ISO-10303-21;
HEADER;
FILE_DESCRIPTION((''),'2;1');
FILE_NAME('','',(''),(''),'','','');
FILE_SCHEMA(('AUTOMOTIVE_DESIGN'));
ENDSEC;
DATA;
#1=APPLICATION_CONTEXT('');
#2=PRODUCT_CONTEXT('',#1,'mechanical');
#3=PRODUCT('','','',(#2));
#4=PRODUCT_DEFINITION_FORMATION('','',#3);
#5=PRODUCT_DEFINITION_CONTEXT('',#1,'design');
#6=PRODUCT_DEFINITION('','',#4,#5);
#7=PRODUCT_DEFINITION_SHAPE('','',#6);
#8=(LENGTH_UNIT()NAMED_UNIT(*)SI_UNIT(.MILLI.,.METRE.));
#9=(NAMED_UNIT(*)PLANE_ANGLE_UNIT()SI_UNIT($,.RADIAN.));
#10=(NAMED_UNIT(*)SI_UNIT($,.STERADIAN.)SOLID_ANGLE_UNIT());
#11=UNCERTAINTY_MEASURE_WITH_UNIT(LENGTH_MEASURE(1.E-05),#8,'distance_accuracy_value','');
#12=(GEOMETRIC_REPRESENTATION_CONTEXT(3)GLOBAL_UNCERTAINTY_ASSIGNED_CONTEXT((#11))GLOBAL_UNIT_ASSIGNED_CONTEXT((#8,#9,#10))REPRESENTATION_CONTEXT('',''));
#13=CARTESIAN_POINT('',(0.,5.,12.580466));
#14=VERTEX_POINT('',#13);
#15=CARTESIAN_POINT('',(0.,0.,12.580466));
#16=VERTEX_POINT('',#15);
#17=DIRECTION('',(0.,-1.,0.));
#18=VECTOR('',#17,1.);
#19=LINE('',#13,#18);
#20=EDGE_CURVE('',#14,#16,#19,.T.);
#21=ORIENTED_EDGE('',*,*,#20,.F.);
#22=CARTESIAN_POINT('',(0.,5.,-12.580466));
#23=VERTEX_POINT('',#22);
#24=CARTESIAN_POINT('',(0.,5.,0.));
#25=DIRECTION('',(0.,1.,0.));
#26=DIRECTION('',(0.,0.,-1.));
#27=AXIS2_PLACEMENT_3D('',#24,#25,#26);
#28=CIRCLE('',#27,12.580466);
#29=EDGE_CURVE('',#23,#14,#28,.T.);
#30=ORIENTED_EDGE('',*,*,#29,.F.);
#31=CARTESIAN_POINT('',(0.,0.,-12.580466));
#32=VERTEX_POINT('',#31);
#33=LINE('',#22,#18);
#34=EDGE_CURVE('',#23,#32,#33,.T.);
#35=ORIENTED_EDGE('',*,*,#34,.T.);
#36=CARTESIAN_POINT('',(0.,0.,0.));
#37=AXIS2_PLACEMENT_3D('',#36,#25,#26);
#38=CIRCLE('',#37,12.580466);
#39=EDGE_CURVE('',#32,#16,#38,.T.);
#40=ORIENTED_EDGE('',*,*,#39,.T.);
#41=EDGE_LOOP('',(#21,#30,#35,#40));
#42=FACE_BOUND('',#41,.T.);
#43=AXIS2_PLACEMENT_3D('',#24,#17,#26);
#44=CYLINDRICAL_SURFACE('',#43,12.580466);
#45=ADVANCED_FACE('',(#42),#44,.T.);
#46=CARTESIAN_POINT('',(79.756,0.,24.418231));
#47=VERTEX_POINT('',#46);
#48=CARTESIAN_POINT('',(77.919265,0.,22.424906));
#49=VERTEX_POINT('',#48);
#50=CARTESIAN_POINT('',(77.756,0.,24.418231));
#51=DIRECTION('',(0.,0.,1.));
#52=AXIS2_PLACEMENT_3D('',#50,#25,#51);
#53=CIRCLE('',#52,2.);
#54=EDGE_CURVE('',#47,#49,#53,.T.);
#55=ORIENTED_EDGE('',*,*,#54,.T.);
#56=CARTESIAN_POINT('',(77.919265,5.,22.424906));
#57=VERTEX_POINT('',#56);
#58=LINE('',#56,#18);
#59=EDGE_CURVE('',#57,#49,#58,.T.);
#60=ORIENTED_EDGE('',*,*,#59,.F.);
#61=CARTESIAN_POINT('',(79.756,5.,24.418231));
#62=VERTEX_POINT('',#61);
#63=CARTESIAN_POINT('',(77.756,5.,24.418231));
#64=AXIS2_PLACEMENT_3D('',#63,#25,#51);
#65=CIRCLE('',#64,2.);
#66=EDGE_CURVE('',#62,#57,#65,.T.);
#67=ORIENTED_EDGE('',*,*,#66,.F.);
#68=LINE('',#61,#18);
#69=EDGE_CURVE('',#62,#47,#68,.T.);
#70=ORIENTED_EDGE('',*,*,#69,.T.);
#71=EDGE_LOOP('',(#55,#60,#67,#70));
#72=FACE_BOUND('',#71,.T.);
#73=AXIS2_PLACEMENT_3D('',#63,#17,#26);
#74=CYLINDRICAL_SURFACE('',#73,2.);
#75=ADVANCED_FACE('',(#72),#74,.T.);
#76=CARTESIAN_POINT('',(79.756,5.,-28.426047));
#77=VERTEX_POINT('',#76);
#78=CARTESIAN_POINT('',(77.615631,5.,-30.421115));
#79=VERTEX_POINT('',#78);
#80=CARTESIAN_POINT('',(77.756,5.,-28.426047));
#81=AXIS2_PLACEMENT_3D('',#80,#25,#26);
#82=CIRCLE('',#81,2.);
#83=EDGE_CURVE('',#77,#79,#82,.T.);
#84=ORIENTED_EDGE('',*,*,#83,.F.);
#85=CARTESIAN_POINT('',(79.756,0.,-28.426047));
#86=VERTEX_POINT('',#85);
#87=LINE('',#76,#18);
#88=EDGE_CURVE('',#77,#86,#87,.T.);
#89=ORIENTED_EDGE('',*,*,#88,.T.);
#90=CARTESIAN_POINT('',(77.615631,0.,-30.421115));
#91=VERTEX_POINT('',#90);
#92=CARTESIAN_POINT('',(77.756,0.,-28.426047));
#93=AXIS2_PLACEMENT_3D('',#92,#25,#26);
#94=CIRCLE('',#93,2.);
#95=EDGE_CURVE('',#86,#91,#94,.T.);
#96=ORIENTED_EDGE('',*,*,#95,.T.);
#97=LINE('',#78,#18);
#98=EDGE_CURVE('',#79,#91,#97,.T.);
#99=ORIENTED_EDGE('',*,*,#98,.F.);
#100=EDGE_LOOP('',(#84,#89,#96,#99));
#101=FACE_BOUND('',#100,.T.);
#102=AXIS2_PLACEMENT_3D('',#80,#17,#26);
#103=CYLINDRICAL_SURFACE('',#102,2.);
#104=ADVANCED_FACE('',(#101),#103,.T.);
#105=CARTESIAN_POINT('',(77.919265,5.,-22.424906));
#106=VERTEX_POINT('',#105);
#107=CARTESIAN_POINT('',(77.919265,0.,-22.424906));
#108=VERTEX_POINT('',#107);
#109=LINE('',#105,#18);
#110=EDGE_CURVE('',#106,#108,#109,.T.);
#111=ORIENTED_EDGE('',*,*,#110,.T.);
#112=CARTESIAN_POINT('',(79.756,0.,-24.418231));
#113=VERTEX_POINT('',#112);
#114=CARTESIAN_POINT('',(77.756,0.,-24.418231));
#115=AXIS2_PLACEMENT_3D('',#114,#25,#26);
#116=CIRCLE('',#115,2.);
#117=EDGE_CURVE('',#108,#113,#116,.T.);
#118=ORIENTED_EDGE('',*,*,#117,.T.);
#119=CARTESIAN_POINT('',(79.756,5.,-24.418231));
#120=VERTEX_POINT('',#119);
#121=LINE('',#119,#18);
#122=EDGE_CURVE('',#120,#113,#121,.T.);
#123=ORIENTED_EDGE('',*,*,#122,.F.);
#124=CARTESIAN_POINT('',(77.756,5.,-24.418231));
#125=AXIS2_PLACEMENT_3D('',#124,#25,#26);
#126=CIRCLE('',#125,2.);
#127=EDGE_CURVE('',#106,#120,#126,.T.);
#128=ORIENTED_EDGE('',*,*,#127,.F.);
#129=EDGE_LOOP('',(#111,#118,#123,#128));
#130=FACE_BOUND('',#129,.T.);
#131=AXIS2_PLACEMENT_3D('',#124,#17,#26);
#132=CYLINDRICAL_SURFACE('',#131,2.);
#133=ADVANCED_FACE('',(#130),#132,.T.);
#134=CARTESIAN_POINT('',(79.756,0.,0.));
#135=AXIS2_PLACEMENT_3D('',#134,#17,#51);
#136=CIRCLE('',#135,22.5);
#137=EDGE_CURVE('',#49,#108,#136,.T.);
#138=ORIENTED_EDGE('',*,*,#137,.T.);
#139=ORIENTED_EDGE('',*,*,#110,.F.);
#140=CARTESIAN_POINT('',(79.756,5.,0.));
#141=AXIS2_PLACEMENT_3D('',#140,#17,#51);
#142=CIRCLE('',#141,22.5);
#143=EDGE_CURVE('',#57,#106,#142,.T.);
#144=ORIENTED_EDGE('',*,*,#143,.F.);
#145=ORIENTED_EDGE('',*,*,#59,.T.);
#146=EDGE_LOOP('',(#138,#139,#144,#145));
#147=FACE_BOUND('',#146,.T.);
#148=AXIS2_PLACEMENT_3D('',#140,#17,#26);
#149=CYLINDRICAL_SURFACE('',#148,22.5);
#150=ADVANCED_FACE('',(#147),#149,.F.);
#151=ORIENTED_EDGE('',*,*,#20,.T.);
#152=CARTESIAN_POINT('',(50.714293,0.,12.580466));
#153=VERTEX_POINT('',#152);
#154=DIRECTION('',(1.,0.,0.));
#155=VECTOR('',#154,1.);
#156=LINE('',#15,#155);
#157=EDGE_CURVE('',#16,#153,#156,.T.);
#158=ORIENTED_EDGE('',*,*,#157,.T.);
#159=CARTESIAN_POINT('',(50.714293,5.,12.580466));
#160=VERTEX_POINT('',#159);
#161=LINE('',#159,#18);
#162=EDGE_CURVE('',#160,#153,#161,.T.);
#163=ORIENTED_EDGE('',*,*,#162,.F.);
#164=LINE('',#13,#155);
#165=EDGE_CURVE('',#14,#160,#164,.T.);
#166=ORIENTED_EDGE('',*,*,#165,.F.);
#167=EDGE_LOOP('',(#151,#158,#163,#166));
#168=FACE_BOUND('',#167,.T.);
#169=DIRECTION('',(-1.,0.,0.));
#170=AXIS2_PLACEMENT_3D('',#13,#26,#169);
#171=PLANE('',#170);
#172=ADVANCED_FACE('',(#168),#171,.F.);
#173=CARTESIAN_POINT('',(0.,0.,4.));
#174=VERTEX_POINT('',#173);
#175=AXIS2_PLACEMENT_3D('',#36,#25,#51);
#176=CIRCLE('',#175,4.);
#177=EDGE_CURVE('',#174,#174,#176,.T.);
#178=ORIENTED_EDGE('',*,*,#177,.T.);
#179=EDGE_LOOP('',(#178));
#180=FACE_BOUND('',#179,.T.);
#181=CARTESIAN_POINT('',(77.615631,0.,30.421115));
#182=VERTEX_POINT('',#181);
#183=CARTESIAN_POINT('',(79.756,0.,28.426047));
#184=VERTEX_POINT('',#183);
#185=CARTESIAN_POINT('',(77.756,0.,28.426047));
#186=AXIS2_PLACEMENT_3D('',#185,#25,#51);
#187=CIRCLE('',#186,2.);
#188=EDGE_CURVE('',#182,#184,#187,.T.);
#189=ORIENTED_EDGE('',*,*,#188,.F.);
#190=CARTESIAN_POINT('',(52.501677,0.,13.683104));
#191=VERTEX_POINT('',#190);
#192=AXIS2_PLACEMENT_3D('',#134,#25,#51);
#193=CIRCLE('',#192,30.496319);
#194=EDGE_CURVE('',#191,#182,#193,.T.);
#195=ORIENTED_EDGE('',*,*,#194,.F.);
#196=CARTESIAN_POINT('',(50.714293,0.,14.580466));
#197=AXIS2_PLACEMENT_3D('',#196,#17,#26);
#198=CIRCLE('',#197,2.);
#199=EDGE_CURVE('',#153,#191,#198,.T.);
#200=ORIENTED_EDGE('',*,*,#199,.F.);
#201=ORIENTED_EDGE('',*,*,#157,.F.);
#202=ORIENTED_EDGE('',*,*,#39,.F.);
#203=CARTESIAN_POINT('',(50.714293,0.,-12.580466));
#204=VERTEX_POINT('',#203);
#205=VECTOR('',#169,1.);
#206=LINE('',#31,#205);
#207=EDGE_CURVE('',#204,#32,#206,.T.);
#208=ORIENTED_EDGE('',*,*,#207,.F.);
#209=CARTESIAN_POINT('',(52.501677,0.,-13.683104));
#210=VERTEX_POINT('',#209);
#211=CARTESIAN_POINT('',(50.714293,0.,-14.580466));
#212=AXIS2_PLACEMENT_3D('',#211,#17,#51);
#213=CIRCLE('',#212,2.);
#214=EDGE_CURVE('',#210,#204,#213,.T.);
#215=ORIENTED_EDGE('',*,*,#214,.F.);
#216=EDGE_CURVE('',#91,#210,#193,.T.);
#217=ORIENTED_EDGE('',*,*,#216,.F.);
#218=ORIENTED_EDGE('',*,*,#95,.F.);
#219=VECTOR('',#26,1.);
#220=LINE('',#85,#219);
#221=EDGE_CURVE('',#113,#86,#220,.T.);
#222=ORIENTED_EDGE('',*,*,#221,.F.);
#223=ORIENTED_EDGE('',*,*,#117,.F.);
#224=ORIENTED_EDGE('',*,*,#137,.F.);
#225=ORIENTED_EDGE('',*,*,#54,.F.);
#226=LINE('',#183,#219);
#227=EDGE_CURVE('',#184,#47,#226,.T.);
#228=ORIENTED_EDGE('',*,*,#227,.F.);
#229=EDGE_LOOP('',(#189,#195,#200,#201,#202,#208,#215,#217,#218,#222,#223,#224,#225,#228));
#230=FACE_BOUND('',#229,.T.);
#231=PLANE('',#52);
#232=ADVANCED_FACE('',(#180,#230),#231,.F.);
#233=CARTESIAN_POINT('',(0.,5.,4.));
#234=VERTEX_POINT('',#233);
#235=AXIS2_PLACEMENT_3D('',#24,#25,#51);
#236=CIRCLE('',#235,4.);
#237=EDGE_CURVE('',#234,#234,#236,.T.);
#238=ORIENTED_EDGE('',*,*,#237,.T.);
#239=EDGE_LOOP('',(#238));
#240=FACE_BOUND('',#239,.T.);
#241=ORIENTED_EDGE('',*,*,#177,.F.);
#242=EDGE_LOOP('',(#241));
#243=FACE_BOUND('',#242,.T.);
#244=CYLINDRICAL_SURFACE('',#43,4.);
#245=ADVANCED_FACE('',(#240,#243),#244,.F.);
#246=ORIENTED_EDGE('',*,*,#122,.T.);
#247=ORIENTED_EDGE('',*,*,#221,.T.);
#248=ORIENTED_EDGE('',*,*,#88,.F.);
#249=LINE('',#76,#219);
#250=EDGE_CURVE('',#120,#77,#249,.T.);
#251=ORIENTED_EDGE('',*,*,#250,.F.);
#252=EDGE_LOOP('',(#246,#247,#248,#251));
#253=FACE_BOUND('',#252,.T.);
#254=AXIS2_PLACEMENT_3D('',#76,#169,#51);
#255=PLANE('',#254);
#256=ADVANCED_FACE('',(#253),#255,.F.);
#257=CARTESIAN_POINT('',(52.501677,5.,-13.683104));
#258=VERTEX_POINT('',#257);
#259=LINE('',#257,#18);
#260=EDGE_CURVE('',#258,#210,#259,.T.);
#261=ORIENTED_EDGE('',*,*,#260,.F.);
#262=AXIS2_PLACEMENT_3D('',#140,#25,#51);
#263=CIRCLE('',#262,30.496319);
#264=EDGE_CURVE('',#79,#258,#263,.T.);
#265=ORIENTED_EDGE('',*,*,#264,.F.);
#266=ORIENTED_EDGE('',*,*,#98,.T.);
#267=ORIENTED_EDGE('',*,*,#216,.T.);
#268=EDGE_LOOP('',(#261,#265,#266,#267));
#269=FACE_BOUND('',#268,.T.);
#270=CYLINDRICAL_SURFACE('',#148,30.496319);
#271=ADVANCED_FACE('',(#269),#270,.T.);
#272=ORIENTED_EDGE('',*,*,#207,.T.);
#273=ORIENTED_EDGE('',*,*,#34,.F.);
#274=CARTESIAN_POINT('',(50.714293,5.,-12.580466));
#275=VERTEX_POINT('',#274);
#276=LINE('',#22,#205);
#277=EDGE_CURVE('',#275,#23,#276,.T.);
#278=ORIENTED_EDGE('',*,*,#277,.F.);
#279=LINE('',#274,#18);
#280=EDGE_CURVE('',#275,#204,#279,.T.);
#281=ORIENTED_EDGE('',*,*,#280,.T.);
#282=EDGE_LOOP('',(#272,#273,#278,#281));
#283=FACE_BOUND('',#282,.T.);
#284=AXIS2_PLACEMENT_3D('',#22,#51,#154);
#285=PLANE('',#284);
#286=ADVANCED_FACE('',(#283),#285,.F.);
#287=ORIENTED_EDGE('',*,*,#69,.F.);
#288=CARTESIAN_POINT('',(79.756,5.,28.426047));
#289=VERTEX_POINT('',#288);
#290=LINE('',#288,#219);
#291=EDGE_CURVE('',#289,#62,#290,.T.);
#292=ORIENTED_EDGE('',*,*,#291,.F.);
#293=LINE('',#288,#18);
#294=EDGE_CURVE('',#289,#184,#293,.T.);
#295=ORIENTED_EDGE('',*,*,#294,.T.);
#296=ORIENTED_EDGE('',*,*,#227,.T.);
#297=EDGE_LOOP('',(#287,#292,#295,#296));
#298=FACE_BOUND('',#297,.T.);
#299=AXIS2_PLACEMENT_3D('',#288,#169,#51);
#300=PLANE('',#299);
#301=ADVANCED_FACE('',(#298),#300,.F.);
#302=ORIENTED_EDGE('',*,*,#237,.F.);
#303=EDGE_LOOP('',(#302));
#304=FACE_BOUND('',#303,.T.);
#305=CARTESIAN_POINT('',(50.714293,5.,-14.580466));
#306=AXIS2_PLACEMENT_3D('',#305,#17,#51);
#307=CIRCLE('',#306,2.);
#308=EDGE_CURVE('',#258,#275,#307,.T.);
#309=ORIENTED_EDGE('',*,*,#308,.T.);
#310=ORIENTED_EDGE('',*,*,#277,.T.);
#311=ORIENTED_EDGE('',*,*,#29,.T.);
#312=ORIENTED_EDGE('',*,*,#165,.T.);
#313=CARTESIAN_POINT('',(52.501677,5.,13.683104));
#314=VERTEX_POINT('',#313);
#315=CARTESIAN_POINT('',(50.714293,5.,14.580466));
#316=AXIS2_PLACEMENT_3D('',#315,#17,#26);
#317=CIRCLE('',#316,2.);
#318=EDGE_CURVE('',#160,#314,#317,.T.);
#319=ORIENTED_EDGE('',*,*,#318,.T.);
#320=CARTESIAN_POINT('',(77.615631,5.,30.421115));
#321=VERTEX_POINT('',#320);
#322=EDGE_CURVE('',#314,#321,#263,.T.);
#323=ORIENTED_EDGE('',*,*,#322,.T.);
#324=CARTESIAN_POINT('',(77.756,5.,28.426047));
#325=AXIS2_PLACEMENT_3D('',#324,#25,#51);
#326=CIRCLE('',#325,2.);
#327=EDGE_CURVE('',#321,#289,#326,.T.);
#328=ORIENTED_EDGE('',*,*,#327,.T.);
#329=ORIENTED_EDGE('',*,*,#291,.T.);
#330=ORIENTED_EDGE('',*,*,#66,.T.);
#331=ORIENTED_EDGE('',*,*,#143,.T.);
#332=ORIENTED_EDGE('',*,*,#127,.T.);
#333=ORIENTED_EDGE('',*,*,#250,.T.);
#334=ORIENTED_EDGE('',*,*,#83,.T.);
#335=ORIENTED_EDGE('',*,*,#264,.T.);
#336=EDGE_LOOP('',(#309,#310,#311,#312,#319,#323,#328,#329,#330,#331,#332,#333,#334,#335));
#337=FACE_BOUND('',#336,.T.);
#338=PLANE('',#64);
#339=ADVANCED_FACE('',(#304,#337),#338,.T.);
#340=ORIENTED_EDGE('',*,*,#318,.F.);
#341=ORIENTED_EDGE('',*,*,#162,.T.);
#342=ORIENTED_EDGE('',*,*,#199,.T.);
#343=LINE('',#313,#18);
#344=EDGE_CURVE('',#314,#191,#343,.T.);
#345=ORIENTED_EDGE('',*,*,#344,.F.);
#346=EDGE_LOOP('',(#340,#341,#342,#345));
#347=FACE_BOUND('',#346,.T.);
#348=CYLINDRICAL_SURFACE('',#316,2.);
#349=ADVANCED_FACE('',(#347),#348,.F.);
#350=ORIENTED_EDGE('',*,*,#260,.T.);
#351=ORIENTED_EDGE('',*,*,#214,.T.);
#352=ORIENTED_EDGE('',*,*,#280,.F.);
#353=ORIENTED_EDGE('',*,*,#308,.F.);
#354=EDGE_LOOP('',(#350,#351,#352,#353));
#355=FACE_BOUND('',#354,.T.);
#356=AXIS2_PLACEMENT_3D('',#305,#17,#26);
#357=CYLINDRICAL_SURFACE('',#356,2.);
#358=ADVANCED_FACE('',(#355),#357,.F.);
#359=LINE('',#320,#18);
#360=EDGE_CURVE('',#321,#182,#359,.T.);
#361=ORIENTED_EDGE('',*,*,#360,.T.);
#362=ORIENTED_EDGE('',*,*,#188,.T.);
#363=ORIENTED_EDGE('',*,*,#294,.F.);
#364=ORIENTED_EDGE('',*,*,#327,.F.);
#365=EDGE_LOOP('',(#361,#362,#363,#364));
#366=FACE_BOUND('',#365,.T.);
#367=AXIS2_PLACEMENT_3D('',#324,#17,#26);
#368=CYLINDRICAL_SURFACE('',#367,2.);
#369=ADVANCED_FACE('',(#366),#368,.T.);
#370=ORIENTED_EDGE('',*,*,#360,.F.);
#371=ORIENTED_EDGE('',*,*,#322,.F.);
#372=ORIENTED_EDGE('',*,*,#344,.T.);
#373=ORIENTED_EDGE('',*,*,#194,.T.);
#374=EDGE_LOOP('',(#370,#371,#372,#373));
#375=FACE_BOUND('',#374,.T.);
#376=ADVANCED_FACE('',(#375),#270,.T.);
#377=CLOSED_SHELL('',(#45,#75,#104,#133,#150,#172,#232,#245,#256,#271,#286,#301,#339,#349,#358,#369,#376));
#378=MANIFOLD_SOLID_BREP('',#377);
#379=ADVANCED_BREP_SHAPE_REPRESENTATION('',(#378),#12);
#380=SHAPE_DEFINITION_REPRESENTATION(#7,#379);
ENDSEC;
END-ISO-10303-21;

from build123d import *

# Parameters (mm, degrees)
SKETCH1_R           = 4
BOSS_EXTRUDE1_DEPTH = 5


with BuildPart() as part:
    # Sketch1 → Boss-Extrude1 (new body)
    with BuildSketch(Plane(origin=(0, 0, 0), x_dir=(1, 0, 0), z_dir=(0, 1, 0))):
        with BuildLine():
            Line((0, 12.580465515), (50.714293016, 12.580465515))
            ThreePointArc((50.714293016, 12.580465515), (51.764359173, 12.878301873), (52.501677451, 13.68310445))
            ThreePointArc((52.501677451, 13.68310445), (62.84292145, 25.376627415), (77.615630991, 30.421115454))
            ThreePointArc((77.615630991, 30.421115454), (79.119682878, 29.889047403), (79.756, 28.4260474))
            Line((79.756, 28.4260474), (79.756, 24.418230894))
            ThreePointArc((79.756, 24.418230894), (79.226804306, 23.06296904), (77.919265306, 22.424905923))
            ThreePointArc((77.919265306, 22.424905923), (57.256, 0), (77.919265306, -22.424905923))
            ThreePointArc((77.919265306, -22.424905923), (79.226804306, -23.06296904), (79.756, -24.418230894))
            Line((79.756, -24.418230894), (79.756, -28.4260474))
            ThreePointArc((79.756, -28.4260474), (79.119682878, -29.889047403), (77.615630991, -30.421115454))
            ThreePointArc((77.615630991, -30.421115454), (62.84292145, -25.376627415), (52.501677451, -13.68310445))
            ThreePointArc((52.501677451, -13.68310445), (51.764359173, -12.878301873), (50.714293016, -12.580465515))
            Line((50.714293016, -12.580465515), (0, -12.580465515))
            ThreePointArc((0, -12.580465515), (-12.580465515, 0), (0, 12.580465515))
        make_face()
        with Locations(Location((0, 0, 0), (0, 0, 270))):
            Circle(SKETCH1_R, mode=Mode.SUBTRACT)
    extrude(amount=BOSS_EXTRUDE1_DEPTH)


solid = part.part
